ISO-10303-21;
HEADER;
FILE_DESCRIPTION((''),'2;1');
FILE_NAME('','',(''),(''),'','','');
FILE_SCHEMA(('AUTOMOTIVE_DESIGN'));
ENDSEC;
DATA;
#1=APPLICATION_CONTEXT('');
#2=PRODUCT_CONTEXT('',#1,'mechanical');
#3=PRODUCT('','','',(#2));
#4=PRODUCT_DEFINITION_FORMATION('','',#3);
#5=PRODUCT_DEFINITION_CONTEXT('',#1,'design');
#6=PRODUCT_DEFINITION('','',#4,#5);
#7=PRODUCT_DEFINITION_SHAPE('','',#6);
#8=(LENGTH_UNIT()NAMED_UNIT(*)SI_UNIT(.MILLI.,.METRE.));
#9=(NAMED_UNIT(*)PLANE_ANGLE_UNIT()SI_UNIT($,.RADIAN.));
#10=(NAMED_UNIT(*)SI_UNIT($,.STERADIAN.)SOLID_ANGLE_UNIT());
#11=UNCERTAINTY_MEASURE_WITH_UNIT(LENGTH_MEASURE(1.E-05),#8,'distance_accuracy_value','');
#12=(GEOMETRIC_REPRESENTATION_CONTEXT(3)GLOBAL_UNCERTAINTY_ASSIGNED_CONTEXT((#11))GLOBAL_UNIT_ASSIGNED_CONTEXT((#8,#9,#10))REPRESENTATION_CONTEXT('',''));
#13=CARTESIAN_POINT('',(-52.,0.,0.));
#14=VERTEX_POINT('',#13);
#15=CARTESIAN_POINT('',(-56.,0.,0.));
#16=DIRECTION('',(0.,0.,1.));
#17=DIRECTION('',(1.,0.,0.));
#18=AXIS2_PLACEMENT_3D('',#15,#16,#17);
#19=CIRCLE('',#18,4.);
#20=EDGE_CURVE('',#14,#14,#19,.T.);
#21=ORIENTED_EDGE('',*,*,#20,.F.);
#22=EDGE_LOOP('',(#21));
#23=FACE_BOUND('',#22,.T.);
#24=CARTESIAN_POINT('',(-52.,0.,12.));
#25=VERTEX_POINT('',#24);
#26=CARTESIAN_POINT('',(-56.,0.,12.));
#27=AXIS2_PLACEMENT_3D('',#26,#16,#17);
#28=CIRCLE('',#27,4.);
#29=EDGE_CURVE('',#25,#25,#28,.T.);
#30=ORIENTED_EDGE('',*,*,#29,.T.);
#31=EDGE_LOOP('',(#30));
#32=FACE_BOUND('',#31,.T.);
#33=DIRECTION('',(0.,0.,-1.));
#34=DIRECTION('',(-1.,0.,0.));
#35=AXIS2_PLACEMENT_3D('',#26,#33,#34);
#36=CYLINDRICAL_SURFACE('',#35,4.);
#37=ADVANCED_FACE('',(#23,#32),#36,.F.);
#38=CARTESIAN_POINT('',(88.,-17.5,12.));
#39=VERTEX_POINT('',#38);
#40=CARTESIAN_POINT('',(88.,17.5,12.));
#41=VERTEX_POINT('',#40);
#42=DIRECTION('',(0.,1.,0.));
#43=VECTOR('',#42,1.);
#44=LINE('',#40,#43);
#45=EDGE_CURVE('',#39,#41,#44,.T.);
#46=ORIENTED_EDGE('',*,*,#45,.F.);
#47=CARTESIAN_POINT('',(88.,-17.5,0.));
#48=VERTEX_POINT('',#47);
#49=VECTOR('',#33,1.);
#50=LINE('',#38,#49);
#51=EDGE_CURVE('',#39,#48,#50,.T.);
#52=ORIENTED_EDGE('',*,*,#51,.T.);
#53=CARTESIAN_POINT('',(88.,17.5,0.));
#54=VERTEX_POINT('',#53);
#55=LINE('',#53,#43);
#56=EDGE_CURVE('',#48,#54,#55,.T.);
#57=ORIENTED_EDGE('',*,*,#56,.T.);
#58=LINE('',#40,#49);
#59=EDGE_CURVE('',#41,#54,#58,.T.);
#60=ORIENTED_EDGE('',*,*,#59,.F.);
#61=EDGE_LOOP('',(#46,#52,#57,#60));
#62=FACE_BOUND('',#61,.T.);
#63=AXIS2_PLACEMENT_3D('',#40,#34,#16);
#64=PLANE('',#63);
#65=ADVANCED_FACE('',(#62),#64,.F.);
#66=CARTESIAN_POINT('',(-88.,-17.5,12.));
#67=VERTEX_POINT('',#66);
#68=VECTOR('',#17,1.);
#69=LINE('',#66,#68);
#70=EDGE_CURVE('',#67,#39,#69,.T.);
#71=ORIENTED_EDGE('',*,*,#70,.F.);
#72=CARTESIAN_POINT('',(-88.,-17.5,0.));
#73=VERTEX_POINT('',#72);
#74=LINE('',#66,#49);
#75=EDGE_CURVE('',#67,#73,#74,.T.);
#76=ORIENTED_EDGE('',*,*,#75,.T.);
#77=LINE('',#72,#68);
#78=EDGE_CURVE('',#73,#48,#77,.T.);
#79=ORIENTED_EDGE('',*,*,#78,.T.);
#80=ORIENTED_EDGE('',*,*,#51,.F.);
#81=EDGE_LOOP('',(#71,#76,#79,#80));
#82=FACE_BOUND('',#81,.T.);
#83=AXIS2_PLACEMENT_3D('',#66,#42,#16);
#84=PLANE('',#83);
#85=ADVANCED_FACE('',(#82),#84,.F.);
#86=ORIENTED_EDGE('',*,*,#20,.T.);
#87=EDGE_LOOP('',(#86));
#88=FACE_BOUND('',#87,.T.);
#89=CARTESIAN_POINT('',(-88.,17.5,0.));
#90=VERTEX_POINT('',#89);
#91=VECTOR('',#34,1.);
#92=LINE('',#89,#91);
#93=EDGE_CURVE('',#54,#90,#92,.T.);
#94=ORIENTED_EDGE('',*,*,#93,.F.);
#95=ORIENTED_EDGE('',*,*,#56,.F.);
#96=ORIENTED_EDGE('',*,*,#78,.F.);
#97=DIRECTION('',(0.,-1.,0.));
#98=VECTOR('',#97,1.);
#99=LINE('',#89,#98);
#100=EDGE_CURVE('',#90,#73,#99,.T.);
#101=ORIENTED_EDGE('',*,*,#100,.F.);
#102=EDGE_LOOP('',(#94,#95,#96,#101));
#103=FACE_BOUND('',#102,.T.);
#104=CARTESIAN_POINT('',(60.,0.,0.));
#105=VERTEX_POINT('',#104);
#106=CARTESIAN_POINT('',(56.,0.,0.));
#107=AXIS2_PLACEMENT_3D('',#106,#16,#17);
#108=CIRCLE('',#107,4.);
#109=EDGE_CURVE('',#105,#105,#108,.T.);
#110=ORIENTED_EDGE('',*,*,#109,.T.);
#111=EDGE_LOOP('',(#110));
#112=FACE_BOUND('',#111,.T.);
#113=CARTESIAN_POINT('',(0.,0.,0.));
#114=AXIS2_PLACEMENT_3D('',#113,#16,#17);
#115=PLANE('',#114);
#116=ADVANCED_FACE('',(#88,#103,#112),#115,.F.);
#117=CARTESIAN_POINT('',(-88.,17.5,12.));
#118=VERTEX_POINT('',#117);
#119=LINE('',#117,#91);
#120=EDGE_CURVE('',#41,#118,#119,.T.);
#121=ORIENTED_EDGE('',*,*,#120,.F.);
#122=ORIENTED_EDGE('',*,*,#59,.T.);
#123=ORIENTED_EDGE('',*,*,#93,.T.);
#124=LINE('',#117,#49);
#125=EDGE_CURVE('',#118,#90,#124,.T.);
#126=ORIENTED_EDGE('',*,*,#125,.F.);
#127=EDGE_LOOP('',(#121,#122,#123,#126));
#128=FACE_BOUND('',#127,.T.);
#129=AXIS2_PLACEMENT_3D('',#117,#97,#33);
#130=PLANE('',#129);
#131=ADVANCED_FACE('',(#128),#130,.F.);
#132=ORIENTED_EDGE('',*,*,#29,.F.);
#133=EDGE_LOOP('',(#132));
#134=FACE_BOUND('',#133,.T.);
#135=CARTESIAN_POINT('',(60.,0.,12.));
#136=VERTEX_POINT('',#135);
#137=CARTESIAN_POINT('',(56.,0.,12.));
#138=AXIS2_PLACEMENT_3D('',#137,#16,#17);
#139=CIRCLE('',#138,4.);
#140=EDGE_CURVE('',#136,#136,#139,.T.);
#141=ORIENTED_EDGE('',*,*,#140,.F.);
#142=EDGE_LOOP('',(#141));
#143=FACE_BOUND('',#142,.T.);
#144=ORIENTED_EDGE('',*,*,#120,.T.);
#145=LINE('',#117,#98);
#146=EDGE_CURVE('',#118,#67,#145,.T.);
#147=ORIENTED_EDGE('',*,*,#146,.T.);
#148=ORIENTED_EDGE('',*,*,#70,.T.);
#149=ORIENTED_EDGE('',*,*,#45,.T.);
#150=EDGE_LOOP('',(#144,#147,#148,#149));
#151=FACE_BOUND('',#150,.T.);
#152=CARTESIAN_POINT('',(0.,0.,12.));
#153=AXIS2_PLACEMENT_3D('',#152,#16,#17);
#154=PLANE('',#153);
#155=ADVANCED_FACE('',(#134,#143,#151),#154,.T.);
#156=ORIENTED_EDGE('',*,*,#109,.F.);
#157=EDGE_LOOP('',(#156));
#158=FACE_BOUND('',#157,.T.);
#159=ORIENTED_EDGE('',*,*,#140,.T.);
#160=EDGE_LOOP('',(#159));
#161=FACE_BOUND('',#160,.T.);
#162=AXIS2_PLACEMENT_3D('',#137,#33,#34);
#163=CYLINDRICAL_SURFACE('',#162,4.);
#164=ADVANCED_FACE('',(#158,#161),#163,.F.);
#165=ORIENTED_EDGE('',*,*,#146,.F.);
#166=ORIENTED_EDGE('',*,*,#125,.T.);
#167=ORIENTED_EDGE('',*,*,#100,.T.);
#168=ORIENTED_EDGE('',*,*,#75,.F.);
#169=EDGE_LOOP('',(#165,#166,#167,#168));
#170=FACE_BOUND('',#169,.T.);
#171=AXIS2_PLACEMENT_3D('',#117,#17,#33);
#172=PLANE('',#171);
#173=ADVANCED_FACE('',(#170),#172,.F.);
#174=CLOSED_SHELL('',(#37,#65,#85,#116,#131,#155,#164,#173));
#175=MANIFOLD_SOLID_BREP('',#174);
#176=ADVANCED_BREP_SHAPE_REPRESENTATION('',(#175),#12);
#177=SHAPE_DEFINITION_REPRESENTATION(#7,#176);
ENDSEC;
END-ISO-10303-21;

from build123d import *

# Parameters (mm, degrees)
SKETCH1_W           = 176
SKETCH1_H           = 35
SKETCH1_R           = 4
BOSS_EXTRUDE1_DEPTH = 12


with BuildPart() as part:
    # Sketch1 → Boss-Extrude1 (new body)
    with BuildSketch(Plane.XY):
        Rectangle(SKETCH1_W, SKETCH1_H)
        with Locations((-56, 0)):
            Circle(SKETCH1_R, mode=Mode.SUBTRACT)
        with Locations((56, 0)):
            Circle(SKETCH1_R, mode=Mode.SUBTRACT)
    extrude(amount=BOSS_EXTRUDE1_DEPTH)


solid = part.part
